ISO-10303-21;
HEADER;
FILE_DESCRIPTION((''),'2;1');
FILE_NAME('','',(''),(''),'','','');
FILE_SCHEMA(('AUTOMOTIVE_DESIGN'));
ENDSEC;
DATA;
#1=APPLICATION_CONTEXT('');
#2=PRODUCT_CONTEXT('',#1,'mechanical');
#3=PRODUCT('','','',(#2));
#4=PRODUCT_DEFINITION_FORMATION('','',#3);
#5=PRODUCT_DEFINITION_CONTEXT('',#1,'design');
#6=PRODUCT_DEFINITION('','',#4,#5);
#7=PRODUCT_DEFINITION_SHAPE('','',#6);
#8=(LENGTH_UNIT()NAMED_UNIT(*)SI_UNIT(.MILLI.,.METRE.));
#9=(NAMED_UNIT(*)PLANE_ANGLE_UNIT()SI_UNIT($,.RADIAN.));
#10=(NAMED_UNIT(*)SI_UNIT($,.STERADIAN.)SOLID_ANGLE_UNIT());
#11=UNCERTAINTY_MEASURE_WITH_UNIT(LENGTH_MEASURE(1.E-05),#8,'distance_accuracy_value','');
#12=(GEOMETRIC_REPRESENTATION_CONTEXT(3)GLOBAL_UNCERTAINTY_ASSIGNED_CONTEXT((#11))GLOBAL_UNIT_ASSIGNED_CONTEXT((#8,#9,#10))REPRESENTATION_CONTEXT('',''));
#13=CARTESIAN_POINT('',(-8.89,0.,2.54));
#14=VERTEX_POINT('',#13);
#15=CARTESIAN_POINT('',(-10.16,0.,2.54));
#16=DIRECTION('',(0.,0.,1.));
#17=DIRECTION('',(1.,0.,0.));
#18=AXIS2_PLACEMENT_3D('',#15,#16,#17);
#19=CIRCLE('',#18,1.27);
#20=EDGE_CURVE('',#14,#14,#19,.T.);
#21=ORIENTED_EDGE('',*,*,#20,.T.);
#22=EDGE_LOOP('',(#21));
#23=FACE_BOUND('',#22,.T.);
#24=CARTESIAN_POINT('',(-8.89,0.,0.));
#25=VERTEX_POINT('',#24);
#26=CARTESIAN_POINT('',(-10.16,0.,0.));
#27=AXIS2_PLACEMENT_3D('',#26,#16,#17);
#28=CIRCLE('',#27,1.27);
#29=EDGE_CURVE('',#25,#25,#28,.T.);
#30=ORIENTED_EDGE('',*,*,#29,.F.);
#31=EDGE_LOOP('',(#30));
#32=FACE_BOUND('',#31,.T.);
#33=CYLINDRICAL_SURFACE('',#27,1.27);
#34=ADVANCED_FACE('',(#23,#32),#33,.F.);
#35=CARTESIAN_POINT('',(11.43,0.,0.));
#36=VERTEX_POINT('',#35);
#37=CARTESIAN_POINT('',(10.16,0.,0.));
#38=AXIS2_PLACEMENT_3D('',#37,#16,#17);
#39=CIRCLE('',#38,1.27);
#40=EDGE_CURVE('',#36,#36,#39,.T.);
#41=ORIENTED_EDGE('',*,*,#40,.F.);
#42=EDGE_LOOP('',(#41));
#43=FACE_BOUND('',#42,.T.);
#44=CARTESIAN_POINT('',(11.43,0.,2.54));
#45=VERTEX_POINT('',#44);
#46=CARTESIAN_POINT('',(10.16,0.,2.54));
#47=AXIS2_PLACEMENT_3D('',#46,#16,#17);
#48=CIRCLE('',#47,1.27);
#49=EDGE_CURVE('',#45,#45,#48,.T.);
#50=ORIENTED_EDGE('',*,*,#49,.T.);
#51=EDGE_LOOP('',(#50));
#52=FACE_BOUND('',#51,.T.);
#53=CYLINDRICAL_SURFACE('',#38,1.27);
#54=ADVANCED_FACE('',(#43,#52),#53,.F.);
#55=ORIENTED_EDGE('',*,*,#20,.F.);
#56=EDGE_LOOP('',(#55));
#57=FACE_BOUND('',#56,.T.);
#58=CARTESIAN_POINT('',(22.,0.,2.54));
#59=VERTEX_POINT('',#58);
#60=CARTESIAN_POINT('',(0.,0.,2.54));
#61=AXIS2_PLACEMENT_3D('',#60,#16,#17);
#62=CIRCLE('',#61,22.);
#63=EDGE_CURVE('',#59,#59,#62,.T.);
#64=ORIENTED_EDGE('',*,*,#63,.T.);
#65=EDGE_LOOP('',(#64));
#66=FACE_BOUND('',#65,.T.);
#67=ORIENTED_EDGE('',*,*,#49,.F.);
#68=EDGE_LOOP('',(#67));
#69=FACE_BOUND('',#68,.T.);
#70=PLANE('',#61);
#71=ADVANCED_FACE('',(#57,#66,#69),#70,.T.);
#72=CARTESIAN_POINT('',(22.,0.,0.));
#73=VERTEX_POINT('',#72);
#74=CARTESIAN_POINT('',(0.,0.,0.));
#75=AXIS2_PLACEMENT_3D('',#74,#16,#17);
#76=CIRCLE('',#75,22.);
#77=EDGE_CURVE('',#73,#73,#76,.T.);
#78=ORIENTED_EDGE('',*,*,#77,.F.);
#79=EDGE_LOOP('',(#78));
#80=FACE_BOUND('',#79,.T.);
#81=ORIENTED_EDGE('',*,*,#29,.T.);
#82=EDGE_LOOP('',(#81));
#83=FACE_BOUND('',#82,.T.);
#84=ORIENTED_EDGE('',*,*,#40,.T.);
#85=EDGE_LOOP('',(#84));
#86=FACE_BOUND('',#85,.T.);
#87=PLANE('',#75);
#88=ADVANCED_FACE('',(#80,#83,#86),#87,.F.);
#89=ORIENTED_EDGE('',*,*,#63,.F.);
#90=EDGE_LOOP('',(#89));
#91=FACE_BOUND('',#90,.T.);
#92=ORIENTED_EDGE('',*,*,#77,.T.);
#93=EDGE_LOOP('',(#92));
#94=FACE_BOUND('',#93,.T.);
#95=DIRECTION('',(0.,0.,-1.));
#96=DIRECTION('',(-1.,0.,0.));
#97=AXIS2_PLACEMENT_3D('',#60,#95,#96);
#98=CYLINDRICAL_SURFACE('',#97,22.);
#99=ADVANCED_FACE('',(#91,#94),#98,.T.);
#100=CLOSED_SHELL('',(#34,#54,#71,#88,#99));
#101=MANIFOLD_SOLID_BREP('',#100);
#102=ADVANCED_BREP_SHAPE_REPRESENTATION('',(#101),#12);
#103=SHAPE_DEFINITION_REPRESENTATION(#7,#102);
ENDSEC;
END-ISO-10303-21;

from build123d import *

# Parameters (mm, degrees)
SKETCH1_R           = 22
BOSS_EXTRUDE1_DEPTH = 2.54
CUT_EXTRUDE1_DEPTH  = 3.54


with BuildPart() as part:
    # Sketch1 → Boss-Extrude1 (new body)
    with BuildSketch(Plane.XY):
        Circle(SKETCH1_R)
    extrude(amount=BOSS_EXTRUDE1_DEPTH)

    # Sketch2 → Cut-Extrude1 (cut, through all)
    with BuildSketch(Plane.XY.offset(2.54)):
        with BuildLine():
            ThreePointArc((-8.89, 0), (-10.16, 1.27), (-11.43, 0))
            Line((-11.43, 0), (-8.89, 0))
        make_face()
        with BuildLine():
            Line((-8.89, 0), (-11.43, 0))
            ThreePointArc((-11.43, 0), (-10.16, -1.27), (-8.89, 0))
        make_face()
        with BuildLine():
            ThreePointArc((11.43, 0), (10.16, 1.27), (8.89, 0))
            Line((8.89, 0), (11.43, 0))
        make_face()
        with BuildLine():
            Line((11.43, 0), (8.89, 0))
            ThreePointArc((8.89, 0), (10.16, -1.27), (11.43, 0))
        make_face()
    extrude(amount=-CUT_EXTRUDE1_DEPTH, mode=Mode.SUBTRACT)


solid = part.part
